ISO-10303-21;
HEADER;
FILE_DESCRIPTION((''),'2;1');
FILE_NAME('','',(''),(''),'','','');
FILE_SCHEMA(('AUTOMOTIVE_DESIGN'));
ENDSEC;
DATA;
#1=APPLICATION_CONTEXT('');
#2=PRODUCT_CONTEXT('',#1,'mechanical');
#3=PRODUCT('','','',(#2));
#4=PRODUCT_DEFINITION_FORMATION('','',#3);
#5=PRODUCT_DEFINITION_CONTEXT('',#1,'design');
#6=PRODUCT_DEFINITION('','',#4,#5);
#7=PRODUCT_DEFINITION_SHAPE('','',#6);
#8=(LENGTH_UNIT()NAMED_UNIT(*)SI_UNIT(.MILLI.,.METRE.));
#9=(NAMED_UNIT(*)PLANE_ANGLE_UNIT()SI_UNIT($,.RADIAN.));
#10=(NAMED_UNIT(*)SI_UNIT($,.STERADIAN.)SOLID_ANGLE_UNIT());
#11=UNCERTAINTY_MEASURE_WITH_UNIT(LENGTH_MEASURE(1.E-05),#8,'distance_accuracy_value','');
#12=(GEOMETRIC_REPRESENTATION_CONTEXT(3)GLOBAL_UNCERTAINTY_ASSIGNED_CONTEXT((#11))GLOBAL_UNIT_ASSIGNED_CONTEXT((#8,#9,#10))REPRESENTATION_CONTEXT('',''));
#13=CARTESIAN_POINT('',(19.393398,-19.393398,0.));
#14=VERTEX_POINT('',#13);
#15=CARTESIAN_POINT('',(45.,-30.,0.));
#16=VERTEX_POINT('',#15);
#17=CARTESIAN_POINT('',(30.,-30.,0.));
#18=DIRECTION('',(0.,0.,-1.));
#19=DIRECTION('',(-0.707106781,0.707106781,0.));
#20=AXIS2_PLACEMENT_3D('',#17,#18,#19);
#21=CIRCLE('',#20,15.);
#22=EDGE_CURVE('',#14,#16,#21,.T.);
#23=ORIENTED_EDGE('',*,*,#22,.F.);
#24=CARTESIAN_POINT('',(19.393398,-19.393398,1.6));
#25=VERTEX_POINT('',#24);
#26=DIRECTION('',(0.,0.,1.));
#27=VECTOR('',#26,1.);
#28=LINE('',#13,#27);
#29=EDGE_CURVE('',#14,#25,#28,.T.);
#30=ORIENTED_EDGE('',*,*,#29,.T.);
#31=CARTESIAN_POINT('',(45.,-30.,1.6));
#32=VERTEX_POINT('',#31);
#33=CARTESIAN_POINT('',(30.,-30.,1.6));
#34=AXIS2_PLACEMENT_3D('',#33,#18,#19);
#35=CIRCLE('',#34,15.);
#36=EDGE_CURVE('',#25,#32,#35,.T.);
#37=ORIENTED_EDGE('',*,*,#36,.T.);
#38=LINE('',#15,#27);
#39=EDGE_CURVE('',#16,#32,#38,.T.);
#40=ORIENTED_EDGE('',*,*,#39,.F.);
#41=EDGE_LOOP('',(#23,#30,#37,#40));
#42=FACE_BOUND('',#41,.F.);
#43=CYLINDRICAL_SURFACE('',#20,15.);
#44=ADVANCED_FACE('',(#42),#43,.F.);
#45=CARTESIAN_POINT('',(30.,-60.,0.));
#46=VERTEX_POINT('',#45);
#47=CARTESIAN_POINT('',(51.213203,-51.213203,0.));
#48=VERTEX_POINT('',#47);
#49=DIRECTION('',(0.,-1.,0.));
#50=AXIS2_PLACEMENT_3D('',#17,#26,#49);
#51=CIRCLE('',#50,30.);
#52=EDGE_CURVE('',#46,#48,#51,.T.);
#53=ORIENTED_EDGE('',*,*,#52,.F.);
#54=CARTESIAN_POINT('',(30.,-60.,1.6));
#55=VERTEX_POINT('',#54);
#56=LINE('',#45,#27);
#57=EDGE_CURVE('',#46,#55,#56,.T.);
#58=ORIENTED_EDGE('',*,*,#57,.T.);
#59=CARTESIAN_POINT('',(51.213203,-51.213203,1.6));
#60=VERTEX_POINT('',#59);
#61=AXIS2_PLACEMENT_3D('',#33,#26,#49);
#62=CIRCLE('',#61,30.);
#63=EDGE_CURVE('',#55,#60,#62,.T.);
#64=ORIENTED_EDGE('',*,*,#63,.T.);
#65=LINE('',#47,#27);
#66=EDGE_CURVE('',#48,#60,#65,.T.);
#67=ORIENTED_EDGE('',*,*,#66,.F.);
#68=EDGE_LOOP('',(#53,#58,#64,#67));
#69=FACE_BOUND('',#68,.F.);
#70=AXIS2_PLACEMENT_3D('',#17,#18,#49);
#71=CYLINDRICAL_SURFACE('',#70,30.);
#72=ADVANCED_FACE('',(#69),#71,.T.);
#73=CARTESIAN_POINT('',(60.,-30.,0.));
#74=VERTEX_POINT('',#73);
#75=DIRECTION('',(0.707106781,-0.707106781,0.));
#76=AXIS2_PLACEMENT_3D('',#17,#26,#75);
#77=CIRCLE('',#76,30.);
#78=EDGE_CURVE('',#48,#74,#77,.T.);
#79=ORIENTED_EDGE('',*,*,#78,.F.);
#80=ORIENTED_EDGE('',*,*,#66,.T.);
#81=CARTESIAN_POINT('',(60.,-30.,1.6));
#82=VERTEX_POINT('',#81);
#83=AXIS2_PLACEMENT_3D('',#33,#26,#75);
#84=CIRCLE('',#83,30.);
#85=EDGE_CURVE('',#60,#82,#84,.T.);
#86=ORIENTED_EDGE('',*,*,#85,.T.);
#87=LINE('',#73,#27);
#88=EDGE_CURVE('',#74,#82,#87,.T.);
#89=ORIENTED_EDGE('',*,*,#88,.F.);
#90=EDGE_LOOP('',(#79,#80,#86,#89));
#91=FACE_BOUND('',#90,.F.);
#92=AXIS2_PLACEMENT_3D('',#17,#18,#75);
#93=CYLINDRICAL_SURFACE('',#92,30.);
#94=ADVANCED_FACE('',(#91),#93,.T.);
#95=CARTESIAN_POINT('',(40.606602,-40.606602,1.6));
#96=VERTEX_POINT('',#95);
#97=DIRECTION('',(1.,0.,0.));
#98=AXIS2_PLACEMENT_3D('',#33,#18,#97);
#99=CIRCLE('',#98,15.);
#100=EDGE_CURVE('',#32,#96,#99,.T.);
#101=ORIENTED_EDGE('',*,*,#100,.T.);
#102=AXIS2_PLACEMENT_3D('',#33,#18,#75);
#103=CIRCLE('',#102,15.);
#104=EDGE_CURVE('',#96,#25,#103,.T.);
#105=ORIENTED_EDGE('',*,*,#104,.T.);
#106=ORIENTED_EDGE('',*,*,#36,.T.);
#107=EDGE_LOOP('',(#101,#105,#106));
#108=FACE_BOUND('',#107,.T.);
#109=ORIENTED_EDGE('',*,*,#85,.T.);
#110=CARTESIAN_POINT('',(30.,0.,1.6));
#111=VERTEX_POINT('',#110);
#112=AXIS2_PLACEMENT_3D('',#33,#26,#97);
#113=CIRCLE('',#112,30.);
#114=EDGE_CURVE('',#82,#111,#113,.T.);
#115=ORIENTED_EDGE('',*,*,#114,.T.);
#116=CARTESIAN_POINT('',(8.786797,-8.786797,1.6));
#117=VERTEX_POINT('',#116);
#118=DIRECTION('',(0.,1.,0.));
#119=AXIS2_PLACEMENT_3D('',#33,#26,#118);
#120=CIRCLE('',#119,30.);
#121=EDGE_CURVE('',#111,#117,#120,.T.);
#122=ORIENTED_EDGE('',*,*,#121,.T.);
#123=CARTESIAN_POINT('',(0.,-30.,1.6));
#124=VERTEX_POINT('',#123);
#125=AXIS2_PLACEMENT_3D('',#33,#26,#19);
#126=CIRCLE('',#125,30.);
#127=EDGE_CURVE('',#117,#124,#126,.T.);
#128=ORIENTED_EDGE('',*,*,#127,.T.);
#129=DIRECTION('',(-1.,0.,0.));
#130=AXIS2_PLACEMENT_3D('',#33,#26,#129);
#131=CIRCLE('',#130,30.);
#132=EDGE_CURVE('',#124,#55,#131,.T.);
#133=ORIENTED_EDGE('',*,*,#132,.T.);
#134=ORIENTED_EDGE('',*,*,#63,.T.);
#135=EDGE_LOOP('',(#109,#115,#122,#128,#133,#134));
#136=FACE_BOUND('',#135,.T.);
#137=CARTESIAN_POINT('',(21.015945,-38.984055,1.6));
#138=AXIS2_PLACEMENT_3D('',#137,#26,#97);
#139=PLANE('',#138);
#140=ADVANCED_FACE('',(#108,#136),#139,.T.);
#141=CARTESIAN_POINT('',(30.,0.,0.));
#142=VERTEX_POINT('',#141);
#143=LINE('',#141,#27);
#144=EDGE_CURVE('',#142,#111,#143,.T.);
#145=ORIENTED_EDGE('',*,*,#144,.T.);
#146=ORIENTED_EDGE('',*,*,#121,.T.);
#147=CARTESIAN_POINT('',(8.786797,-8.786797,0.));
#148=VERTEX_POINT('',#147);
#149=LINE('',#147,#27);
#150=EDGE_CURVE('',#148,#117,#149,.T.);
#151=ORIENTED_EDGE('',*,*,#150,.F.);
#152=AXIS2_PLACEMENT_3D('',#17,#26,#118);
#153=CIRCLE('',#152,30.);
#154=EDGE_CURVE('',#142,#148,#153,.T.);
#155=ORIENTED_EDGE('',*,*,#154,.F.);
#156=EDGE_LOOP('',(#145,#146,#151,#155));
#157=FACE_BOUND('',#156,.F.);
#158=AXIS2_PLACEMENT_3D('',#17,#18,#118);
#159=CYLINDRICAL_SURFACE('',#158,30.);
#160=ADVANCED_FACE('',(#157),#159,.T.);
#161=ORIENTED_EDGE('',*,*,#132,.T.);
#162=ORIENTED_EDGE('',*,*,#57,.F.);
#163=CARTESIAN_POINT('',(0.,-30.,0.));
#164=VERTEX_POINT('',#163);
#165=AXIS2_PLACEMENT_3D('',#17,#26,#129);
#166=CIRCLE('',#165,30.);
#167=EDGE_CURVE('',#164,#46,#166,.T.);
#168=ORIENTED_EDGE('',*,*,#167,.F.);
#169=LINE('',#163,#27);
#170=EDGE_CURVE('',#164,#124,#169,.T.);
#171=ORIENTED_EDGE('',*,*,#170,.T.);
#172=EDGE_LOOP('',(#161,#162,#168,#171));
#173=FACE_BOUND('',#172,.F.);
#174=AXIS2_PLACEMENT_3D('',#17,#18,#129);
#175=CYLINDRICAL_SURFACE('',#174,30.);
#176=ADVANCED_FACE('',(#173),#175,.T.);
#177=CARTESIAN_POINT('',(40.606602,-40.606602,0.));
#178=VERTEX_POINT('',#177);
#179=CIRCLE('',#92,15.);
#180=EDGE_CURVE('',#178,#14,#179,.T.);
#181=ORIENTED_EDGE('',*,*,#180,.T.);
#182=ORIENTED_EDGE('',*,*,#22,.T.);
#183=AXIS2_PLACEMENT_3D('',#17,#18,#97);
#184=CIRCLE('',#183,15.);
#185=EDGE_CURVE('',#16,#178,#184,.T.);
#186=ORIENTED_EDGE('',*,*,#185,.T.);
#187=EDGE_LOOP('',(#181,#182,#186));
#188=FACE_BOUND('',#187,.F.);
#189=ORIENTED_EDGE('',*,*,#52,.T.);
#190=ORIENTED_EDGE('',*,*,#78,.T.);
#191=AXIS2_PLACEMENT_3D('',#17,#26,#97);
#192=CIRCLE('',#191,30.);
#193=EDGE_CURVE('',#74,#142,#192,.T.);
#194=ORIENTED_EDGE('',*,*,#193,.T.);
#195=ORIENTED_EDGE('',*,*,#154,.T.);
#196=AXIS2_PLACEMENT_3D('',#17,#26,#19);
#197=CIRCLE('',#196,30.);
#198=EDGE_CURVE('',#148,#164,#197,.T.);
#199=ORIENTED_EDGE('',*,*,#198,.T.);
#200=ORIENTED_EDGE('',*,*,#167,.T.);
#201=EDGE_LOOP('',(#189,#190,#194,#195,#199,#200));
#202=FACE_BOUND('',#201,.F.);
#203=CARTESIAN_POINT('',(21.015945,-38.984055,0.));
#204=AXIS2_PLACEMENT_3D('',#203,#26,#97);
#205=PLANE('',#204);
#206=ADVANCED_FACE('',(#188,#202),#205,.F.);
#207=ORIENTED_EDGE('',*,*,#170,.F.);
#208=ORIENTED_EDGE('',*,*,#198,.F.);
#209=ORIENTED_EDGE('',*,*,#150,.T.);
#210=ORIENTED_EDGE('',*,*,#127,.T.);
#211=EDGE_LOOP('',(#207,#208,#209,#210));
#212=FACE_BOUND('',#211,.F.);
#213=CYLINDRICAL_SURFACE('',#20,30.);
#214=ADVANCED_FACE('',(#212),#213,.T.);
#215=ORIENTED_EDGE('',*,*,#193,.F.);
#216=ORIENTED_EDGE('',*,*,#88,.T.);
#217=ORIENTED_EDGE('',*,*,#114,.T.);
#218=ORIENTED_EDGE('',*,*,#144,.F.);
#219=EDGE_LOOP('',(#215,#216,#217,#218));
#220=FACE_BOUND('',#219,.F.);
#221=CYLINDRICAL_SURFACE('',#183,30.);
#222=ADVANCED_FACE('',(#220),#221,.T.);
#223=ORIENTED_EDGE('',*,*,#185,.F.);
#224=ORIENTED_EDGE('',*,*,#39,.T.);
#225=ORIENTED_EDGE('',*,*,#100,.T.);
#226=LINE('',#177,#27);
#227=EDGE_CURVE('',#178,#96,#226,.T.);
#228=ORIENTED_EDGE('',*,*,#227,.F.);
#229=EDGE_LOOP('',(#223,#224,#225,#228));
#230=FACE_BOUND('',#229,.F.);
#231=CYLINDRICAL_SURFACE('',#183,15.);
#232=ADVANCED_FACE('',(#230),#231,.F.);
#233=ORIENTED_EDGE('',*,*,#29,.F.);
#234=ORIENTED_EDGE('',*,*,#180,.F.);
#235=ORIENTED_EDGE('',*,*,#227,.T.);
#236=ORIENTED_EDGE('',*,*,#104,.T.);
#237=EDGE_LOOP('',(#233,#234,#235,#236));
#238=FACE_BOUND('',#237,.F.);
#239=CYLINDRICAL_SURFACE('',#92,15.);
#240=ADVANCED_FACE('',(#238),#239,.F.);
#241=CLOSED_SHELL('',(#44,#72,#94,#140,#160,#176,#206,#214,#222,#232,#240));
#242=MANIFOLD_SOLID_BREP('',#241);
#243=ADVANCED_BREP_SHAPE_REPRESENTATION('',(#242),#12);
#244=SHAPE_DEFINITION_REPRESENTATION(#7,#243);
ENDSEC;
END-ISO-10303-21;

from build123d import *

# Parameters (mm, degrees)
F1_DEPTH = 1.6


with BuildPart() as f1:
    # F0 (on Top) → F1 (new body)
    with BuildSketch(Plane.XY):
        with BuildLine():
            ThreePointArc((8.7867965644, -8.7867965644), (2.2836140247, -18.519497029), (0, -30))
            ThreePointArc((0, -30), (8.7867965644, -51.2132034356), (30, -60))
            ThreePointArc((30, -60), (41.480502971, -57.7163859753), (51.2132034356, -51.2132034356))
            Line((51.2132034356, -51.2132034356), (40.6066017178, -40.6066017178))
            ThreePointArc((40.6066017178, -40.6066017178), (19.3933982822, -40.6066017178), (19.3933982822, -19.3933982822))
            Line((19.3933982822, -19.3933982822), (8.7867965644, -8.7867965644))
        make_face()
        with BuildLine():
            ThreePointArc((60, -30), (51.2132034356, -8.7867965644), (30, 0))
            ThreePointArc((30, 0), (18.519497029, -2.2836140247), (8.7867965644, -8.7867965644))
            Line((8.7867965644, -8.7867965644), (19.3933982822, -19.3933982822))
            ThreePointArc((19.3933982822, -19.3933982822), (35.7402514855, -16.1418070123), (45, -30))
            ThreePointArc((45, -30), (43.8581929877, -35.7402514855), (40.6066017178, -40.6066017178))
            Line((40.6066017178, -40.6066017178), (51.2132034356, -51.2132034356))
            ThreePointArc((51.2132034356, -51.2132034356), (57.7163859753, -41.480502971), (60, -30))
        make_face()
    extrude(amount=F1_DEPTH)


solid = f1.part
